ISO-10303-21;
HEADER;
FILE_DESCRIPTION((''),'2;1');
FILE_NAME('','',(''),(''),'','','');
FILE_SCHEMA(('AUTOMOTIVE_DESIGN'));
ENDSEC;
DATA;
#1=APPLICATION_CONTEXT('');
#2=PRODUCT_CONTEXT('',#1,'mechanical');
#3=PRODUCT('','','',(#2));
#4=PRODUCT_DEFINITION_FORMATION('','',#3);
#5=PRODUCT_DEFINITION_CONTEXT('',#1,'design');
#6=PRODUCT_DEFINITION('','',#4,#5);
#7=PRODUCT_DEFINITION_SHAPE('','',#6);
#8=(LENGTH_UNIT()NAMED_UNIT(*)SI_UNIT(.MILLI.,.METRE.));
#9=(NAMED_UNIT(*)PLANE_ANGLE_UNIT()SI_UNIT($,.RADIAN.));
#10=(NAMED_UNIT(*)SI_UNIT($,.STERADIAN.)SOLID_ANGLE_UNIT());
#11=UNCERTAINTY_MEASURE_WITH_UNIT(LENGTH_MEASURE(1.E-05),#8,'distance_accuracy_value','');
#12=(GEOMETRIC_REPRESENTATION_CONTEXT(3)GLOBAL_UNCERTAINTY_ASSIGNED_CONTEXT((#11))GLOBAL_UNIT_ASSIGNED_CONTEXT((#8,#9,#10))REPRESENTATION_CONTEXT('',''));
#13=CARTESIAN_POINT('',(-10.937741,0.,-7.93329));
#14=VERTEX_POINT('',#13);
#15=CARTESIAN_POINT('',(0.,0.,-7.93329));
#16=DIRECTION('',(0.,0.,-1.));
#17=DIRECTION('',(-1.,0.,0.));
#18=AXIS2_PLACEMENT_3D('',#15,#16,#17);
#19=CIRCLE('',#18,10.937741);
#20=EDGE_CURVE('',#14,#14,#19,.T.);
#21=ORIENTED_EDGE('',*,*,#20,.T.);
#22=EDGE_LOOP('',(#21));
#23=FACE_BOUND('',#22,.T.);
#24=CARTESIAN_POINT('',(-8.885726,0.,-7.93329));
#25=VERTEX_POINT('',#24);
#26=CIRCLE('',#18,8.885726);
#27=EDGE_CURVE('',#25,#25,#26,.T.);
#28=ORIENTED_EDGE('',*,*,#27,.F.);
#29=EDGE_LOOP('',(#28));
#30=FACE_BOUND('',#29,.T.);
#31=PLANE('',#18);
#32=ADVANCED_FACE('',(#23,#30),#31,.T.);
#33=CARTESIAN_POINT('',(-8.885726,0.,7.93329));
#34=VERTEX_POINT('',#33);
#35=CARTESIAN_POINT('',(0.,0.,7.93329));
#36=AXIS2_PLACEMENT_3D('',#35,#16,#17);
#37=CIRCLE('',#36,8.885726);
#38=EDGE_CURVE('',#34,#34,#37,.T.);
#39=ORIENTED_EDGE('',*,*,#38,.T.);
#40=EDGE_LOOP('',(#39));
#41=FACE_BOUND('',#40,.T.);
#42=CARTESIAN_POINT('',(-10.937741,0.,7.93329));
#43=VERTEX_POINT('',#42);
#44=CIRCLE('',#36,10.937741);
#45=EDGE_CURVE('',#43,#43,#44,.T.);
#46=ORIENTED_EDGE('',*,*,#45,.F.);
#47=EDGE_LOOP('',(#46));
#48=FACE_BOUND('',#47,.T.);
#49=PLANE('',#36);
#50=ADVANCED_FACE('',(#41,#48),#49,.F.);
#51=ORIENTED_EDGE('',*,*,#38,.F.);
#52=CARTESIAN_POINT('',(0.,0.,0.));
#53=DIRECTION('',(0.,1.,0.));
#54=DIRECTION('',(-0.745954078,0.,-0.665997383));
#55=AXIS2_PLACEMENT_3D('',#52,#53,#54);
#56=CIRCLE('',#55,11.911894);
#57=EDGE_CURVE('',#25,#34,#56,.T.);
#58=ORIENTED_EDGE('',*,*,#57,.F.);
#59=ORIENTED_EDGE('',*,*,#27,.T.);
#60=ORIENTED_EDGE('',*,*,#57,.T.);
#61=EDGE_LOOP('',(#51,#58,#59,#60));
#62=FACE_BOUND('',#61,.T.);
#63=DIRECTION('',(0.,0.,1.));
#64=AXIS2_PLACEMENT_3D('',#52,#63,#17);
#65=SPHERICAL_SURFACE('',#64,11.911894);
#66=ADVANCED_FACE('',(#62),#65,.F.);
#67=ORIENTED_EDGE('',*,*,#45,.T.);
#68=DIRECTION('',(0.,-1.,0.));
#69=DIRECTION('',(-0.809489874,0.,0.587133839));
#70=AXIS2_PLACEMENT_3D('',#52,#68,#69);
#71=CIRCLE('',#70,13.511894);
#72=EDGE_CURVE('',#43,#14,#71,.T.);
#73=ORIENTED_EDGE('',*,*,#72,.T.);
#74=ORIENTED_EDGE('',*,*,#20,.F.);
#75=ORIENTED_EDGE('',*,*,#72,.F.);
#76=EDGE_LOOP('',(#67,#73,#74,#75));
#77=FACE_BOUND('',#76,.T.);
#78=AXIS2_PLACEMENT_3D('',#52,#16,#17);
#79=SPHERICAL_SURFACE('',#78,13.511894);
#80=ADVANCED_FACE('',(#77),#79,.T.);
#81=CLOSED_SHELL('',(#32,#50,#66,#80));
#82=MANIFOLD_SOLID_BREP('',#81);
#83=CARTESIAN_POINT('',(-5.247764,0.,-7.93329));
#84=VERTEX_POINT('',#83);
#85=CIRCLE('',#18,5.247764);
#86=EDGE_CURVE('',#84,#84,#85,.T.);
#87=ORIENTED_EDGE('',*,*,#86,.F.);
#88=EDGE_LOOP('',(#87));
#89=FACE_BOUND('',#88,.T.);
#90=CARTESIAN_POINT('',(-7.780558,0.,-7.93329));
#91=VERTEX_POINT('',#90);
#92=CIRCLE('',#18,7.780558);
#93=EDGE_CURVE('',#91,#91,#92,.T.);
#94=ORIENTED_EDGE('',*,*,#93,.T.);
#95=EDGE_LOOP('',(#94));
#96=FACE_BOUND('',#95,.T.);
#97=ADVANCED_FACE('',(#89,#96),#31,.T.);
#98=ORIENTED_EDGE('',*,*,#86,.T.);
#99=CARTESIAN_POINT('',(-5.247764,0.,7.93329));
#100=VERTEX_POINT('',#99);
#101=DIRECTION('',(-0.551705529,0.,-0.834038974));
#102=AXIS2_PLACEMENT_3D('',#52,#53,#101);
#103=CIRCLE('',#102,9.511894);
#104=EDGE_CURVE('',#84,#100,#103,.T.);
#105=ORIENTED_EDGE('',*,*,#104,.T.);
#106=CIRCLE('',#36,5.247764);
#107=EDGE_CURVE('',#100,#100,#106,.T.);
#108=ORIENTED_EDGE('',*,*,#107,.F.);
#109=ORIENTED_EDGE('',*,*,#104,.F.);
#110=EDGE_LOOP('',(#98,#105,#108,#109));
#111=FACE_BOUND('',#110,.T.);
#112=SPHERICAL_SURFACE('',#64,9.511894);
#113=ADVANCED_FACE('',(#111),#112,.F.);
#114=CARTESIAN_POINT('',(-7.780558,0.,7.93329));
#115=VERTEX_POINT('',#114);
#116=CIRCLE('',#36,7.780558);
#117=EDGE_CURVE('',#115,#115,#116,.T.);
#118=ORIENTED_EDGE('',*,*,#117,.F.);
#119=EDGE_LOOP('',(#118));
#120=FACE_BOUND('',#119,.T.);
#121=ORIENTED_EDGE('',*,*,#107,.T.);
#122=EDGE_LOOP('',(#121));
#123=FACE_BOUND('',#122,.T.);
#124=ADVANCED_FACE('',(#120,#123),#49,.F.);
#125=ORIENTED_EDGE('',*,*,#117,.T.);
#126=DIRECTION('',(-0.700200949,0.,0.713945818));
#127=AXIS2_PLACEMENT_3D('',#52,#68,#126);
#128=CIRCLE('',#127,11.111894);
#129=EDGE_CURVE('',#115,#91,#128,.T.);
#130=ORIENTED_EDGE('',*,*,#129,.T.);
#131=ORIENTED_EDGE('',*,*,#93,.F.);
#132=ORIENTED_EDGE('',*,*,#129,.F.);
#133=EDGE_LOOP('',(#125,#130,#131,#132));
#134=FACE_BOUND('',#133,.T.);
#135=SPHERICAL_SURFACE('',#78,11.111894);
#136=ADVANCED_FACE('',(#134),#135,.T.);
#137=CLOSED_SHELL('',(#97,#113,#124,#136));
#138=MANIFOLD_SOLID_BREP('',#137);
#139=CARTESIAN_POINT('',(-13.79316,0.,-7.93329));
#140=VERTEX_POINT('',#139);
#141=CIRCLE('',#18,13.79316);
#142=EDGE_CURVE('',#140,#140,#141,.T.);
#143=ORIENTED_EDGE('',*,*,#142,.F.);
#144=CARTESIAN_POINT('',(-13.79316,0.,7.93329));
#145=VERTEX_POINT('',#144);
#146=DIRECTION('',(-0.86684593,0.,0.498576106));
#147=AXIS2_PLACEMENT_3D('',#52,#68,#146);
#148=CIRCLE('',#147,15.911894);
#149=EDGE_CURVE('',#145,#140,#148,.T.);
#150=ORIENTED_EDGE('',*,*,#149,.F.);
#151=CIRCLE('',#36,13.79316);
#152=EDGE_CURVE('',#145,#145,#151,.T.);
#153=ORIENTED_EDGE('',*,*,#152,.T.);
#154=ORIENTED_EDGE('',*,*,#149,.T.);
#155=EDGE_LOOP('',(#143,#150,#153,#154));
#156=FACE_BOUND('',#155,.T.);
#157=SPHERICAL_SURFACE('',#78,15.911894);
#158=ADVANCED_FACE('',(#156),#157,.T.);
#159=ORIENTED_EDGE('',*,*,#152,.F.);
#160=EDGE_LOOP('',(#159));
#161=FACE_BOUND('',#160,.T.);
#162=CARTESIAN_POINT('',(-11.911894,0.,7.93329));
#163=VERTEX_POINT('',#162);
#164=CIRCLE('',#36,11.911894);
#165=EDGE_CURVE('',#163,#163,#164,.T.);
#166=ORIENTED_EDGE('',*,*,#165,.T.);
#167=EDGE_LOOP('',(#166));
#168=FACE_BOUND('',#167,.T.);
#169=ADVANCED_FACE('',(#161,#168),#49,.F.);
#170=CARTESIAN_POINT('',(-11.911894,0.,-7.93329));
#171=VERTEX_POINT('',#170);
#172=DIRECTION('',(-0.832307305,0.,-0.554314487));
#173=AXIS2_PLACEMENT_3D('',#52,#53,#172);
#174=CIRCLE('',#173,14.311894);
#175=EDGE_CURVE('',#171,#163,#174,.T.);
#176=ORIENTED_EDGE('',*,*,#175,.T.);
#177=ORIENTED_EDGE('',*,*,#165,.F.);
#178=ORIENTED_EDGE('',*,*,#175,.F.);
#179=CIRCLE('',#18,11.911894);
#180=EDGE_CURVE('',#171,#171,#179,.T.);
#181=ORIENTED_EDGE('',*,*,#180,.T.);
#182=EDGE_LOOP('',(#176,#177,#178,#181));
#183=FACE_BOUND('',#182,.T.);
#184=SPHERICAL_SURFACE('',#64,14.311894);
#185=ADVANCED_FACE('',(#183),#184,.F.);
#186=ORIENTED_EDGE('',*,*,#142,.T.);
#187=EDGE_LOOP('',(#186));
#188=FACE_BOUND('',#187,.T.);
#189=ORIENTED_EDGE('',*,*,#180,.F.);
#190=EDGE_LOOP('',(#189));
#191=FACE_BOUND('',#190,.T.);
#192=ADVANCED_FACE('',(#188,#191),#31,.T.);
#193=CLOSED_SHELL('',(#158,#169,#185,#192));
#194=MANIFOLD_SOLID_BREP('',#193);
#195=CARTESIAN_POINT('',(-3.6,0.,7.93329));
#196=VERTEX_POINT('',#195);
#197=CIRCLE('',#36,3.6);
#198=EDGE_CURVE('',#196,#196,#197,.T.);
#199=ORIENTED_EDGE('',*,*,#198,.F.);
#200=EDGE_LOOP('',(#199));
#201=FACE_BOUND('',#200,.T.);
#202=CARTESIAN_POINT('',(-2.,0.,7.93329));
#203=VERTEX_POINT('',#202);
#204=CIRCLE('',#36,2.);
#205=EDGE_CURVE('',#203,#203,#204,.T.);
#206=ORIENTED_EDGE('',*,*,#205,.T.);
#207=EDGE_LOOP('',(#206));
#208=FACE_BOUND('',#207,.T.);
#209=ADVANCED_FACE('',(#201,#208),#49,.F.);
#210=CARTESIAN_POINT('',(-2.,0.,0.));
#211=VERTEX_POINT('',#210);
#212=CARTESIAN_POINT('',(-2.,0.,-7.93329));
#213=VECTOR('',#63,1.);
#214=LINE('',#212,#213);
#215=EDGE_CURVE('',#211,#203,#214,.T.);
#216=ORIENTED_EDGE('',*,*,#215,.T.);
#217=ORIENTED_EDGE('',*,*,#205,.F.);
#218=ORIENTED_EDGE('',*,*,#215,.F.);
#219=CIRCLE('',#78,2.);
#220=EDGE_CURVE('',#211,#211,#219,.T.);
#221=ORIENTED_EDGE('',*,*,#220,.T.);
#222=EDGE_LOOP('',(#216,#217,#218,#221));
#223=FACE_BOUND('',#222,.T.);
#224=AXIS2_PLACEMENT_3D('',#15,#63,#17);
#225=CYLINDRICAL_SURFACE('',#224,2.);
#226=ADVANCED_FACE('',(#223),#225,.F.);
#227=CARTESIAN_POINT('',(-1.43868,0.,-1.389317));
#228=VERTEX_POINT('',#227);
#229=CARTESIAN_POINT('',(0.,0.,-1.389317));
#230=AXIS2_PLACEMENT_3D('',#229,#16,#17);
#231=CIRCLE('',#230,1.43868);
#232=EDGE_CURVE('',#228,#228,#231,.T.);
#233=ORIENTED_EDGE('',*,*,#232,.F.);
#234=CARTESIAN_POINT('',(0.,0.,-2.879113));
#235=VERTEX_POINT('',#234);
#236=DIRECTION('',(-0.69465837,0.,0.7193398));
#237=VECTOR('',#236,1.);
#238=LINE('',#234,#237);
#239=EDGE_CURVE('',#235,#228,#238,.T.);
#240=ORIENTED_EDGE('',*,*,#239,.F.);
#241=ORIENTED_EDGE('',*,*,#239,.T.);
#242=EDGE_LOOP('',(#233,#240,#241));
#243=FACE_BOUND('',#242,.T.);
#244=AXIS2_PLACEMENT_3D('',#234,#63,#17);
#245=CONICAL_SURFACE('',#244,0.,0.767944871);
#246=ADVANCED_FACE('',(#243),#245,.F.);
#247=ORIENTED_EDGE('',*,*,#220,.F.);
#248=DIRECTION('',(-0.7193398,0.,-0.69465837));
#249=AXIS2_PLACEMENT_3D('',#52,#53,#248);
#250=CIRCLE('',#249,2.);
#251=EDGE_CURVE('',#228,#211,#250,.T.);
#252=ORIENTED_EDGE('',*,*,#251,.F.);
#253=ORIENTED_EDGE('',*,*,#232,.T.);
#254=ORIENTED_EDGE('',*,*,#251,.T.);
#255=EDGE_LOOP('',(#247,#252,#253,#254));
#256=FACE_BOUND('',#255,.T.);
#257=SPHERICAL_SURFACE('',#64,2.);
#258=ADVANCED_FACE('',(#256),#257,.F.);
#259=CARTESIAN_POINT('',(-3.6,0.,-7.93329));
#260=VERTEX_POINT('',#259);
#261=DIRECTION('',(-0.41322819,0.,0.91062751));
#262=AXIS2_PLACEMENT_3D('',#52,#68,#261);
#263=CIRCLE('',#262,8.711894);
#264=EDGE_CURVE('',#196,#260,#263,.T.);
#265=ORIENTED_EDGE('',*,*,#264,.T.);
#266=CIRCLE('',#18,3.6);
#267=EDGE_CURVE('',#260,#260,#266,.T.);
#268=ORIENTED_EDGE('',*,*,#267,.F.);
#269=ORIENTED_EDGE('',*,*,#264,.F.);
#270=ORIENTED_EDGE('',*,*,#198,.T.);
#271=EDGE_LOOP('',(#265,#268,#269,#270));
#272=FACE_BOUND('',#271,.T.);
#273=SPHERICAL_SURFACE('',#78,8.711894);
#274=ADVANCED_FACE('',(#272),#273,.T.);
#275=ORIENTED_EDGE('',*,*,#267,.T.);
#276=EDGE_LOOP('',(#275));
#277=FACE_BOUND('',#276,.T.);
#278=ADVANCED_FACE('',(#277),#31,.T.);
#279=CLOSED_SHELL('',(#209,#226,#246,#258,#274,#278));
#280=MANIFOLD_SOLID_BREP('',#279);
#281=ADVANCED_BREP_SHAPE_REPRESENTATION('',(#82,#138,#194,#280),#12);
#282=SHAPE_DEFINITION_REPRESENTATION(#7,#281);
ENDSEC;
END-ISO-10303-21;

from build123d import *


with BuildPart() as f1:
    # F0 (on Front) → F1 (revolve)
    with BuildSketch(Plane.XZ):
        with BuildLine():
            Line((-2, 7.9332899209), (-3.6, 7.9332899209))
            ThreePointArc((-3.6, 7.9332899209), (-8.7118935352, 0), (-3.6, -7.9332899209))
            Line((-3.6, -7.9332899209), (-2, -7.9332899209))
            Line((-2, -7.9332899209), (-2, 0))
            Line((-2, 0), (-2, 7.9332899209))
        make_face()
        with BuildLine():
            Line((-2, -7.9332899209), (0, -7.9332899209))
            Line((0, -7.9332899209), (0, -2.8791130793))
            Line((0, -2.8791130793), (-1.4386796007, -1.3893167409))
            ThreePointArc((-1.4386796007, -1.3893167409), (-1.8543677091, -0.7492131868), (-2, 0))
            Line((-2, 0), (-2, -7.9332899209))
        make_face()
    revolve(axis=Axis((0, 0, -1.2736130784), (0, 0, -1)))


with BuildPart() as f1b:
    # F0 (on Front) → F1, piece 2 (revolve)
    with BuildSketch(Plane.XZ):
        with BuildLine():
            ThreePointArc((-5.2477642531, -7.9332899209), (-9.5118935352, 0), (-5.2477642531, 7.9332899209))
            Line((-5.2477642531, 7.9332899209), (-7.780558397, 7.9332899209))
            ThreePointArc((-7.780558397, 7.9332899209), (-11.1118935352, 0), (-7.780558397, -7.9332899209))
            Line((-7.780558397, -7.9332899209), (-5.2477642531, -7.9332899209))
        make_face()
    revolve(axis=Axis((0, 0, -1.2736130784), (0, 0, -1)))


with BuildPart() as f1c:
    # F0 (on Front) → F1, piece 3 (revolve)
    with BuildSketch(Plane.XZ):
        with BuildLine():
            ThreePointArc((-8.8857255542, -7.9332899209), (-11.9118935352, 0), (-8.8857255542, 7.9332899209))
            Line((-8.8857255542, 7.9332899209), (-10.9377409888, 7.9332899209))
            ThreePointArc((-10.9377409888, 7.9332899209), (-13.5118935352, 0), (-10.9377409888, -7.9332899209))
            Line((-10.9377409888, -7.9332899209), (-8.8857255542, -7.9332899209))
        make_face()
    revolve(axis=Axis((0, 0, -1.2736130784), (0, 0, -1)))


with BuildPart() as f1d:
    # F0 (on Front) → F1, piece 4 (revolve)
    with BuildSketch(Plane.XZ):
        with BuildLine():
            ThreePointArc((-11.9118935352, -7.9332899209), (-14.3118935352, 0), (-11.9118935352, 7.9332899209))
            Line((-11.9118935352, 7.9332899209), (-13.7931601494, 7.9332899209))
            ThreePointArc((-13.7931601494, 7.9332899209), (-15.9118935352, 0), (-13.7931601494, -7.9332899209))
            Line((-13.7931601494, -7.9332899209), (-11.9118935352, -7.9332899209))
        make_face()
    revolve(axis=Axis((0, 0, -1.2736130784), (0, 0, -1)))


solid = Compound([f1.part, f1b.part, f1c.part, f1d.part])
